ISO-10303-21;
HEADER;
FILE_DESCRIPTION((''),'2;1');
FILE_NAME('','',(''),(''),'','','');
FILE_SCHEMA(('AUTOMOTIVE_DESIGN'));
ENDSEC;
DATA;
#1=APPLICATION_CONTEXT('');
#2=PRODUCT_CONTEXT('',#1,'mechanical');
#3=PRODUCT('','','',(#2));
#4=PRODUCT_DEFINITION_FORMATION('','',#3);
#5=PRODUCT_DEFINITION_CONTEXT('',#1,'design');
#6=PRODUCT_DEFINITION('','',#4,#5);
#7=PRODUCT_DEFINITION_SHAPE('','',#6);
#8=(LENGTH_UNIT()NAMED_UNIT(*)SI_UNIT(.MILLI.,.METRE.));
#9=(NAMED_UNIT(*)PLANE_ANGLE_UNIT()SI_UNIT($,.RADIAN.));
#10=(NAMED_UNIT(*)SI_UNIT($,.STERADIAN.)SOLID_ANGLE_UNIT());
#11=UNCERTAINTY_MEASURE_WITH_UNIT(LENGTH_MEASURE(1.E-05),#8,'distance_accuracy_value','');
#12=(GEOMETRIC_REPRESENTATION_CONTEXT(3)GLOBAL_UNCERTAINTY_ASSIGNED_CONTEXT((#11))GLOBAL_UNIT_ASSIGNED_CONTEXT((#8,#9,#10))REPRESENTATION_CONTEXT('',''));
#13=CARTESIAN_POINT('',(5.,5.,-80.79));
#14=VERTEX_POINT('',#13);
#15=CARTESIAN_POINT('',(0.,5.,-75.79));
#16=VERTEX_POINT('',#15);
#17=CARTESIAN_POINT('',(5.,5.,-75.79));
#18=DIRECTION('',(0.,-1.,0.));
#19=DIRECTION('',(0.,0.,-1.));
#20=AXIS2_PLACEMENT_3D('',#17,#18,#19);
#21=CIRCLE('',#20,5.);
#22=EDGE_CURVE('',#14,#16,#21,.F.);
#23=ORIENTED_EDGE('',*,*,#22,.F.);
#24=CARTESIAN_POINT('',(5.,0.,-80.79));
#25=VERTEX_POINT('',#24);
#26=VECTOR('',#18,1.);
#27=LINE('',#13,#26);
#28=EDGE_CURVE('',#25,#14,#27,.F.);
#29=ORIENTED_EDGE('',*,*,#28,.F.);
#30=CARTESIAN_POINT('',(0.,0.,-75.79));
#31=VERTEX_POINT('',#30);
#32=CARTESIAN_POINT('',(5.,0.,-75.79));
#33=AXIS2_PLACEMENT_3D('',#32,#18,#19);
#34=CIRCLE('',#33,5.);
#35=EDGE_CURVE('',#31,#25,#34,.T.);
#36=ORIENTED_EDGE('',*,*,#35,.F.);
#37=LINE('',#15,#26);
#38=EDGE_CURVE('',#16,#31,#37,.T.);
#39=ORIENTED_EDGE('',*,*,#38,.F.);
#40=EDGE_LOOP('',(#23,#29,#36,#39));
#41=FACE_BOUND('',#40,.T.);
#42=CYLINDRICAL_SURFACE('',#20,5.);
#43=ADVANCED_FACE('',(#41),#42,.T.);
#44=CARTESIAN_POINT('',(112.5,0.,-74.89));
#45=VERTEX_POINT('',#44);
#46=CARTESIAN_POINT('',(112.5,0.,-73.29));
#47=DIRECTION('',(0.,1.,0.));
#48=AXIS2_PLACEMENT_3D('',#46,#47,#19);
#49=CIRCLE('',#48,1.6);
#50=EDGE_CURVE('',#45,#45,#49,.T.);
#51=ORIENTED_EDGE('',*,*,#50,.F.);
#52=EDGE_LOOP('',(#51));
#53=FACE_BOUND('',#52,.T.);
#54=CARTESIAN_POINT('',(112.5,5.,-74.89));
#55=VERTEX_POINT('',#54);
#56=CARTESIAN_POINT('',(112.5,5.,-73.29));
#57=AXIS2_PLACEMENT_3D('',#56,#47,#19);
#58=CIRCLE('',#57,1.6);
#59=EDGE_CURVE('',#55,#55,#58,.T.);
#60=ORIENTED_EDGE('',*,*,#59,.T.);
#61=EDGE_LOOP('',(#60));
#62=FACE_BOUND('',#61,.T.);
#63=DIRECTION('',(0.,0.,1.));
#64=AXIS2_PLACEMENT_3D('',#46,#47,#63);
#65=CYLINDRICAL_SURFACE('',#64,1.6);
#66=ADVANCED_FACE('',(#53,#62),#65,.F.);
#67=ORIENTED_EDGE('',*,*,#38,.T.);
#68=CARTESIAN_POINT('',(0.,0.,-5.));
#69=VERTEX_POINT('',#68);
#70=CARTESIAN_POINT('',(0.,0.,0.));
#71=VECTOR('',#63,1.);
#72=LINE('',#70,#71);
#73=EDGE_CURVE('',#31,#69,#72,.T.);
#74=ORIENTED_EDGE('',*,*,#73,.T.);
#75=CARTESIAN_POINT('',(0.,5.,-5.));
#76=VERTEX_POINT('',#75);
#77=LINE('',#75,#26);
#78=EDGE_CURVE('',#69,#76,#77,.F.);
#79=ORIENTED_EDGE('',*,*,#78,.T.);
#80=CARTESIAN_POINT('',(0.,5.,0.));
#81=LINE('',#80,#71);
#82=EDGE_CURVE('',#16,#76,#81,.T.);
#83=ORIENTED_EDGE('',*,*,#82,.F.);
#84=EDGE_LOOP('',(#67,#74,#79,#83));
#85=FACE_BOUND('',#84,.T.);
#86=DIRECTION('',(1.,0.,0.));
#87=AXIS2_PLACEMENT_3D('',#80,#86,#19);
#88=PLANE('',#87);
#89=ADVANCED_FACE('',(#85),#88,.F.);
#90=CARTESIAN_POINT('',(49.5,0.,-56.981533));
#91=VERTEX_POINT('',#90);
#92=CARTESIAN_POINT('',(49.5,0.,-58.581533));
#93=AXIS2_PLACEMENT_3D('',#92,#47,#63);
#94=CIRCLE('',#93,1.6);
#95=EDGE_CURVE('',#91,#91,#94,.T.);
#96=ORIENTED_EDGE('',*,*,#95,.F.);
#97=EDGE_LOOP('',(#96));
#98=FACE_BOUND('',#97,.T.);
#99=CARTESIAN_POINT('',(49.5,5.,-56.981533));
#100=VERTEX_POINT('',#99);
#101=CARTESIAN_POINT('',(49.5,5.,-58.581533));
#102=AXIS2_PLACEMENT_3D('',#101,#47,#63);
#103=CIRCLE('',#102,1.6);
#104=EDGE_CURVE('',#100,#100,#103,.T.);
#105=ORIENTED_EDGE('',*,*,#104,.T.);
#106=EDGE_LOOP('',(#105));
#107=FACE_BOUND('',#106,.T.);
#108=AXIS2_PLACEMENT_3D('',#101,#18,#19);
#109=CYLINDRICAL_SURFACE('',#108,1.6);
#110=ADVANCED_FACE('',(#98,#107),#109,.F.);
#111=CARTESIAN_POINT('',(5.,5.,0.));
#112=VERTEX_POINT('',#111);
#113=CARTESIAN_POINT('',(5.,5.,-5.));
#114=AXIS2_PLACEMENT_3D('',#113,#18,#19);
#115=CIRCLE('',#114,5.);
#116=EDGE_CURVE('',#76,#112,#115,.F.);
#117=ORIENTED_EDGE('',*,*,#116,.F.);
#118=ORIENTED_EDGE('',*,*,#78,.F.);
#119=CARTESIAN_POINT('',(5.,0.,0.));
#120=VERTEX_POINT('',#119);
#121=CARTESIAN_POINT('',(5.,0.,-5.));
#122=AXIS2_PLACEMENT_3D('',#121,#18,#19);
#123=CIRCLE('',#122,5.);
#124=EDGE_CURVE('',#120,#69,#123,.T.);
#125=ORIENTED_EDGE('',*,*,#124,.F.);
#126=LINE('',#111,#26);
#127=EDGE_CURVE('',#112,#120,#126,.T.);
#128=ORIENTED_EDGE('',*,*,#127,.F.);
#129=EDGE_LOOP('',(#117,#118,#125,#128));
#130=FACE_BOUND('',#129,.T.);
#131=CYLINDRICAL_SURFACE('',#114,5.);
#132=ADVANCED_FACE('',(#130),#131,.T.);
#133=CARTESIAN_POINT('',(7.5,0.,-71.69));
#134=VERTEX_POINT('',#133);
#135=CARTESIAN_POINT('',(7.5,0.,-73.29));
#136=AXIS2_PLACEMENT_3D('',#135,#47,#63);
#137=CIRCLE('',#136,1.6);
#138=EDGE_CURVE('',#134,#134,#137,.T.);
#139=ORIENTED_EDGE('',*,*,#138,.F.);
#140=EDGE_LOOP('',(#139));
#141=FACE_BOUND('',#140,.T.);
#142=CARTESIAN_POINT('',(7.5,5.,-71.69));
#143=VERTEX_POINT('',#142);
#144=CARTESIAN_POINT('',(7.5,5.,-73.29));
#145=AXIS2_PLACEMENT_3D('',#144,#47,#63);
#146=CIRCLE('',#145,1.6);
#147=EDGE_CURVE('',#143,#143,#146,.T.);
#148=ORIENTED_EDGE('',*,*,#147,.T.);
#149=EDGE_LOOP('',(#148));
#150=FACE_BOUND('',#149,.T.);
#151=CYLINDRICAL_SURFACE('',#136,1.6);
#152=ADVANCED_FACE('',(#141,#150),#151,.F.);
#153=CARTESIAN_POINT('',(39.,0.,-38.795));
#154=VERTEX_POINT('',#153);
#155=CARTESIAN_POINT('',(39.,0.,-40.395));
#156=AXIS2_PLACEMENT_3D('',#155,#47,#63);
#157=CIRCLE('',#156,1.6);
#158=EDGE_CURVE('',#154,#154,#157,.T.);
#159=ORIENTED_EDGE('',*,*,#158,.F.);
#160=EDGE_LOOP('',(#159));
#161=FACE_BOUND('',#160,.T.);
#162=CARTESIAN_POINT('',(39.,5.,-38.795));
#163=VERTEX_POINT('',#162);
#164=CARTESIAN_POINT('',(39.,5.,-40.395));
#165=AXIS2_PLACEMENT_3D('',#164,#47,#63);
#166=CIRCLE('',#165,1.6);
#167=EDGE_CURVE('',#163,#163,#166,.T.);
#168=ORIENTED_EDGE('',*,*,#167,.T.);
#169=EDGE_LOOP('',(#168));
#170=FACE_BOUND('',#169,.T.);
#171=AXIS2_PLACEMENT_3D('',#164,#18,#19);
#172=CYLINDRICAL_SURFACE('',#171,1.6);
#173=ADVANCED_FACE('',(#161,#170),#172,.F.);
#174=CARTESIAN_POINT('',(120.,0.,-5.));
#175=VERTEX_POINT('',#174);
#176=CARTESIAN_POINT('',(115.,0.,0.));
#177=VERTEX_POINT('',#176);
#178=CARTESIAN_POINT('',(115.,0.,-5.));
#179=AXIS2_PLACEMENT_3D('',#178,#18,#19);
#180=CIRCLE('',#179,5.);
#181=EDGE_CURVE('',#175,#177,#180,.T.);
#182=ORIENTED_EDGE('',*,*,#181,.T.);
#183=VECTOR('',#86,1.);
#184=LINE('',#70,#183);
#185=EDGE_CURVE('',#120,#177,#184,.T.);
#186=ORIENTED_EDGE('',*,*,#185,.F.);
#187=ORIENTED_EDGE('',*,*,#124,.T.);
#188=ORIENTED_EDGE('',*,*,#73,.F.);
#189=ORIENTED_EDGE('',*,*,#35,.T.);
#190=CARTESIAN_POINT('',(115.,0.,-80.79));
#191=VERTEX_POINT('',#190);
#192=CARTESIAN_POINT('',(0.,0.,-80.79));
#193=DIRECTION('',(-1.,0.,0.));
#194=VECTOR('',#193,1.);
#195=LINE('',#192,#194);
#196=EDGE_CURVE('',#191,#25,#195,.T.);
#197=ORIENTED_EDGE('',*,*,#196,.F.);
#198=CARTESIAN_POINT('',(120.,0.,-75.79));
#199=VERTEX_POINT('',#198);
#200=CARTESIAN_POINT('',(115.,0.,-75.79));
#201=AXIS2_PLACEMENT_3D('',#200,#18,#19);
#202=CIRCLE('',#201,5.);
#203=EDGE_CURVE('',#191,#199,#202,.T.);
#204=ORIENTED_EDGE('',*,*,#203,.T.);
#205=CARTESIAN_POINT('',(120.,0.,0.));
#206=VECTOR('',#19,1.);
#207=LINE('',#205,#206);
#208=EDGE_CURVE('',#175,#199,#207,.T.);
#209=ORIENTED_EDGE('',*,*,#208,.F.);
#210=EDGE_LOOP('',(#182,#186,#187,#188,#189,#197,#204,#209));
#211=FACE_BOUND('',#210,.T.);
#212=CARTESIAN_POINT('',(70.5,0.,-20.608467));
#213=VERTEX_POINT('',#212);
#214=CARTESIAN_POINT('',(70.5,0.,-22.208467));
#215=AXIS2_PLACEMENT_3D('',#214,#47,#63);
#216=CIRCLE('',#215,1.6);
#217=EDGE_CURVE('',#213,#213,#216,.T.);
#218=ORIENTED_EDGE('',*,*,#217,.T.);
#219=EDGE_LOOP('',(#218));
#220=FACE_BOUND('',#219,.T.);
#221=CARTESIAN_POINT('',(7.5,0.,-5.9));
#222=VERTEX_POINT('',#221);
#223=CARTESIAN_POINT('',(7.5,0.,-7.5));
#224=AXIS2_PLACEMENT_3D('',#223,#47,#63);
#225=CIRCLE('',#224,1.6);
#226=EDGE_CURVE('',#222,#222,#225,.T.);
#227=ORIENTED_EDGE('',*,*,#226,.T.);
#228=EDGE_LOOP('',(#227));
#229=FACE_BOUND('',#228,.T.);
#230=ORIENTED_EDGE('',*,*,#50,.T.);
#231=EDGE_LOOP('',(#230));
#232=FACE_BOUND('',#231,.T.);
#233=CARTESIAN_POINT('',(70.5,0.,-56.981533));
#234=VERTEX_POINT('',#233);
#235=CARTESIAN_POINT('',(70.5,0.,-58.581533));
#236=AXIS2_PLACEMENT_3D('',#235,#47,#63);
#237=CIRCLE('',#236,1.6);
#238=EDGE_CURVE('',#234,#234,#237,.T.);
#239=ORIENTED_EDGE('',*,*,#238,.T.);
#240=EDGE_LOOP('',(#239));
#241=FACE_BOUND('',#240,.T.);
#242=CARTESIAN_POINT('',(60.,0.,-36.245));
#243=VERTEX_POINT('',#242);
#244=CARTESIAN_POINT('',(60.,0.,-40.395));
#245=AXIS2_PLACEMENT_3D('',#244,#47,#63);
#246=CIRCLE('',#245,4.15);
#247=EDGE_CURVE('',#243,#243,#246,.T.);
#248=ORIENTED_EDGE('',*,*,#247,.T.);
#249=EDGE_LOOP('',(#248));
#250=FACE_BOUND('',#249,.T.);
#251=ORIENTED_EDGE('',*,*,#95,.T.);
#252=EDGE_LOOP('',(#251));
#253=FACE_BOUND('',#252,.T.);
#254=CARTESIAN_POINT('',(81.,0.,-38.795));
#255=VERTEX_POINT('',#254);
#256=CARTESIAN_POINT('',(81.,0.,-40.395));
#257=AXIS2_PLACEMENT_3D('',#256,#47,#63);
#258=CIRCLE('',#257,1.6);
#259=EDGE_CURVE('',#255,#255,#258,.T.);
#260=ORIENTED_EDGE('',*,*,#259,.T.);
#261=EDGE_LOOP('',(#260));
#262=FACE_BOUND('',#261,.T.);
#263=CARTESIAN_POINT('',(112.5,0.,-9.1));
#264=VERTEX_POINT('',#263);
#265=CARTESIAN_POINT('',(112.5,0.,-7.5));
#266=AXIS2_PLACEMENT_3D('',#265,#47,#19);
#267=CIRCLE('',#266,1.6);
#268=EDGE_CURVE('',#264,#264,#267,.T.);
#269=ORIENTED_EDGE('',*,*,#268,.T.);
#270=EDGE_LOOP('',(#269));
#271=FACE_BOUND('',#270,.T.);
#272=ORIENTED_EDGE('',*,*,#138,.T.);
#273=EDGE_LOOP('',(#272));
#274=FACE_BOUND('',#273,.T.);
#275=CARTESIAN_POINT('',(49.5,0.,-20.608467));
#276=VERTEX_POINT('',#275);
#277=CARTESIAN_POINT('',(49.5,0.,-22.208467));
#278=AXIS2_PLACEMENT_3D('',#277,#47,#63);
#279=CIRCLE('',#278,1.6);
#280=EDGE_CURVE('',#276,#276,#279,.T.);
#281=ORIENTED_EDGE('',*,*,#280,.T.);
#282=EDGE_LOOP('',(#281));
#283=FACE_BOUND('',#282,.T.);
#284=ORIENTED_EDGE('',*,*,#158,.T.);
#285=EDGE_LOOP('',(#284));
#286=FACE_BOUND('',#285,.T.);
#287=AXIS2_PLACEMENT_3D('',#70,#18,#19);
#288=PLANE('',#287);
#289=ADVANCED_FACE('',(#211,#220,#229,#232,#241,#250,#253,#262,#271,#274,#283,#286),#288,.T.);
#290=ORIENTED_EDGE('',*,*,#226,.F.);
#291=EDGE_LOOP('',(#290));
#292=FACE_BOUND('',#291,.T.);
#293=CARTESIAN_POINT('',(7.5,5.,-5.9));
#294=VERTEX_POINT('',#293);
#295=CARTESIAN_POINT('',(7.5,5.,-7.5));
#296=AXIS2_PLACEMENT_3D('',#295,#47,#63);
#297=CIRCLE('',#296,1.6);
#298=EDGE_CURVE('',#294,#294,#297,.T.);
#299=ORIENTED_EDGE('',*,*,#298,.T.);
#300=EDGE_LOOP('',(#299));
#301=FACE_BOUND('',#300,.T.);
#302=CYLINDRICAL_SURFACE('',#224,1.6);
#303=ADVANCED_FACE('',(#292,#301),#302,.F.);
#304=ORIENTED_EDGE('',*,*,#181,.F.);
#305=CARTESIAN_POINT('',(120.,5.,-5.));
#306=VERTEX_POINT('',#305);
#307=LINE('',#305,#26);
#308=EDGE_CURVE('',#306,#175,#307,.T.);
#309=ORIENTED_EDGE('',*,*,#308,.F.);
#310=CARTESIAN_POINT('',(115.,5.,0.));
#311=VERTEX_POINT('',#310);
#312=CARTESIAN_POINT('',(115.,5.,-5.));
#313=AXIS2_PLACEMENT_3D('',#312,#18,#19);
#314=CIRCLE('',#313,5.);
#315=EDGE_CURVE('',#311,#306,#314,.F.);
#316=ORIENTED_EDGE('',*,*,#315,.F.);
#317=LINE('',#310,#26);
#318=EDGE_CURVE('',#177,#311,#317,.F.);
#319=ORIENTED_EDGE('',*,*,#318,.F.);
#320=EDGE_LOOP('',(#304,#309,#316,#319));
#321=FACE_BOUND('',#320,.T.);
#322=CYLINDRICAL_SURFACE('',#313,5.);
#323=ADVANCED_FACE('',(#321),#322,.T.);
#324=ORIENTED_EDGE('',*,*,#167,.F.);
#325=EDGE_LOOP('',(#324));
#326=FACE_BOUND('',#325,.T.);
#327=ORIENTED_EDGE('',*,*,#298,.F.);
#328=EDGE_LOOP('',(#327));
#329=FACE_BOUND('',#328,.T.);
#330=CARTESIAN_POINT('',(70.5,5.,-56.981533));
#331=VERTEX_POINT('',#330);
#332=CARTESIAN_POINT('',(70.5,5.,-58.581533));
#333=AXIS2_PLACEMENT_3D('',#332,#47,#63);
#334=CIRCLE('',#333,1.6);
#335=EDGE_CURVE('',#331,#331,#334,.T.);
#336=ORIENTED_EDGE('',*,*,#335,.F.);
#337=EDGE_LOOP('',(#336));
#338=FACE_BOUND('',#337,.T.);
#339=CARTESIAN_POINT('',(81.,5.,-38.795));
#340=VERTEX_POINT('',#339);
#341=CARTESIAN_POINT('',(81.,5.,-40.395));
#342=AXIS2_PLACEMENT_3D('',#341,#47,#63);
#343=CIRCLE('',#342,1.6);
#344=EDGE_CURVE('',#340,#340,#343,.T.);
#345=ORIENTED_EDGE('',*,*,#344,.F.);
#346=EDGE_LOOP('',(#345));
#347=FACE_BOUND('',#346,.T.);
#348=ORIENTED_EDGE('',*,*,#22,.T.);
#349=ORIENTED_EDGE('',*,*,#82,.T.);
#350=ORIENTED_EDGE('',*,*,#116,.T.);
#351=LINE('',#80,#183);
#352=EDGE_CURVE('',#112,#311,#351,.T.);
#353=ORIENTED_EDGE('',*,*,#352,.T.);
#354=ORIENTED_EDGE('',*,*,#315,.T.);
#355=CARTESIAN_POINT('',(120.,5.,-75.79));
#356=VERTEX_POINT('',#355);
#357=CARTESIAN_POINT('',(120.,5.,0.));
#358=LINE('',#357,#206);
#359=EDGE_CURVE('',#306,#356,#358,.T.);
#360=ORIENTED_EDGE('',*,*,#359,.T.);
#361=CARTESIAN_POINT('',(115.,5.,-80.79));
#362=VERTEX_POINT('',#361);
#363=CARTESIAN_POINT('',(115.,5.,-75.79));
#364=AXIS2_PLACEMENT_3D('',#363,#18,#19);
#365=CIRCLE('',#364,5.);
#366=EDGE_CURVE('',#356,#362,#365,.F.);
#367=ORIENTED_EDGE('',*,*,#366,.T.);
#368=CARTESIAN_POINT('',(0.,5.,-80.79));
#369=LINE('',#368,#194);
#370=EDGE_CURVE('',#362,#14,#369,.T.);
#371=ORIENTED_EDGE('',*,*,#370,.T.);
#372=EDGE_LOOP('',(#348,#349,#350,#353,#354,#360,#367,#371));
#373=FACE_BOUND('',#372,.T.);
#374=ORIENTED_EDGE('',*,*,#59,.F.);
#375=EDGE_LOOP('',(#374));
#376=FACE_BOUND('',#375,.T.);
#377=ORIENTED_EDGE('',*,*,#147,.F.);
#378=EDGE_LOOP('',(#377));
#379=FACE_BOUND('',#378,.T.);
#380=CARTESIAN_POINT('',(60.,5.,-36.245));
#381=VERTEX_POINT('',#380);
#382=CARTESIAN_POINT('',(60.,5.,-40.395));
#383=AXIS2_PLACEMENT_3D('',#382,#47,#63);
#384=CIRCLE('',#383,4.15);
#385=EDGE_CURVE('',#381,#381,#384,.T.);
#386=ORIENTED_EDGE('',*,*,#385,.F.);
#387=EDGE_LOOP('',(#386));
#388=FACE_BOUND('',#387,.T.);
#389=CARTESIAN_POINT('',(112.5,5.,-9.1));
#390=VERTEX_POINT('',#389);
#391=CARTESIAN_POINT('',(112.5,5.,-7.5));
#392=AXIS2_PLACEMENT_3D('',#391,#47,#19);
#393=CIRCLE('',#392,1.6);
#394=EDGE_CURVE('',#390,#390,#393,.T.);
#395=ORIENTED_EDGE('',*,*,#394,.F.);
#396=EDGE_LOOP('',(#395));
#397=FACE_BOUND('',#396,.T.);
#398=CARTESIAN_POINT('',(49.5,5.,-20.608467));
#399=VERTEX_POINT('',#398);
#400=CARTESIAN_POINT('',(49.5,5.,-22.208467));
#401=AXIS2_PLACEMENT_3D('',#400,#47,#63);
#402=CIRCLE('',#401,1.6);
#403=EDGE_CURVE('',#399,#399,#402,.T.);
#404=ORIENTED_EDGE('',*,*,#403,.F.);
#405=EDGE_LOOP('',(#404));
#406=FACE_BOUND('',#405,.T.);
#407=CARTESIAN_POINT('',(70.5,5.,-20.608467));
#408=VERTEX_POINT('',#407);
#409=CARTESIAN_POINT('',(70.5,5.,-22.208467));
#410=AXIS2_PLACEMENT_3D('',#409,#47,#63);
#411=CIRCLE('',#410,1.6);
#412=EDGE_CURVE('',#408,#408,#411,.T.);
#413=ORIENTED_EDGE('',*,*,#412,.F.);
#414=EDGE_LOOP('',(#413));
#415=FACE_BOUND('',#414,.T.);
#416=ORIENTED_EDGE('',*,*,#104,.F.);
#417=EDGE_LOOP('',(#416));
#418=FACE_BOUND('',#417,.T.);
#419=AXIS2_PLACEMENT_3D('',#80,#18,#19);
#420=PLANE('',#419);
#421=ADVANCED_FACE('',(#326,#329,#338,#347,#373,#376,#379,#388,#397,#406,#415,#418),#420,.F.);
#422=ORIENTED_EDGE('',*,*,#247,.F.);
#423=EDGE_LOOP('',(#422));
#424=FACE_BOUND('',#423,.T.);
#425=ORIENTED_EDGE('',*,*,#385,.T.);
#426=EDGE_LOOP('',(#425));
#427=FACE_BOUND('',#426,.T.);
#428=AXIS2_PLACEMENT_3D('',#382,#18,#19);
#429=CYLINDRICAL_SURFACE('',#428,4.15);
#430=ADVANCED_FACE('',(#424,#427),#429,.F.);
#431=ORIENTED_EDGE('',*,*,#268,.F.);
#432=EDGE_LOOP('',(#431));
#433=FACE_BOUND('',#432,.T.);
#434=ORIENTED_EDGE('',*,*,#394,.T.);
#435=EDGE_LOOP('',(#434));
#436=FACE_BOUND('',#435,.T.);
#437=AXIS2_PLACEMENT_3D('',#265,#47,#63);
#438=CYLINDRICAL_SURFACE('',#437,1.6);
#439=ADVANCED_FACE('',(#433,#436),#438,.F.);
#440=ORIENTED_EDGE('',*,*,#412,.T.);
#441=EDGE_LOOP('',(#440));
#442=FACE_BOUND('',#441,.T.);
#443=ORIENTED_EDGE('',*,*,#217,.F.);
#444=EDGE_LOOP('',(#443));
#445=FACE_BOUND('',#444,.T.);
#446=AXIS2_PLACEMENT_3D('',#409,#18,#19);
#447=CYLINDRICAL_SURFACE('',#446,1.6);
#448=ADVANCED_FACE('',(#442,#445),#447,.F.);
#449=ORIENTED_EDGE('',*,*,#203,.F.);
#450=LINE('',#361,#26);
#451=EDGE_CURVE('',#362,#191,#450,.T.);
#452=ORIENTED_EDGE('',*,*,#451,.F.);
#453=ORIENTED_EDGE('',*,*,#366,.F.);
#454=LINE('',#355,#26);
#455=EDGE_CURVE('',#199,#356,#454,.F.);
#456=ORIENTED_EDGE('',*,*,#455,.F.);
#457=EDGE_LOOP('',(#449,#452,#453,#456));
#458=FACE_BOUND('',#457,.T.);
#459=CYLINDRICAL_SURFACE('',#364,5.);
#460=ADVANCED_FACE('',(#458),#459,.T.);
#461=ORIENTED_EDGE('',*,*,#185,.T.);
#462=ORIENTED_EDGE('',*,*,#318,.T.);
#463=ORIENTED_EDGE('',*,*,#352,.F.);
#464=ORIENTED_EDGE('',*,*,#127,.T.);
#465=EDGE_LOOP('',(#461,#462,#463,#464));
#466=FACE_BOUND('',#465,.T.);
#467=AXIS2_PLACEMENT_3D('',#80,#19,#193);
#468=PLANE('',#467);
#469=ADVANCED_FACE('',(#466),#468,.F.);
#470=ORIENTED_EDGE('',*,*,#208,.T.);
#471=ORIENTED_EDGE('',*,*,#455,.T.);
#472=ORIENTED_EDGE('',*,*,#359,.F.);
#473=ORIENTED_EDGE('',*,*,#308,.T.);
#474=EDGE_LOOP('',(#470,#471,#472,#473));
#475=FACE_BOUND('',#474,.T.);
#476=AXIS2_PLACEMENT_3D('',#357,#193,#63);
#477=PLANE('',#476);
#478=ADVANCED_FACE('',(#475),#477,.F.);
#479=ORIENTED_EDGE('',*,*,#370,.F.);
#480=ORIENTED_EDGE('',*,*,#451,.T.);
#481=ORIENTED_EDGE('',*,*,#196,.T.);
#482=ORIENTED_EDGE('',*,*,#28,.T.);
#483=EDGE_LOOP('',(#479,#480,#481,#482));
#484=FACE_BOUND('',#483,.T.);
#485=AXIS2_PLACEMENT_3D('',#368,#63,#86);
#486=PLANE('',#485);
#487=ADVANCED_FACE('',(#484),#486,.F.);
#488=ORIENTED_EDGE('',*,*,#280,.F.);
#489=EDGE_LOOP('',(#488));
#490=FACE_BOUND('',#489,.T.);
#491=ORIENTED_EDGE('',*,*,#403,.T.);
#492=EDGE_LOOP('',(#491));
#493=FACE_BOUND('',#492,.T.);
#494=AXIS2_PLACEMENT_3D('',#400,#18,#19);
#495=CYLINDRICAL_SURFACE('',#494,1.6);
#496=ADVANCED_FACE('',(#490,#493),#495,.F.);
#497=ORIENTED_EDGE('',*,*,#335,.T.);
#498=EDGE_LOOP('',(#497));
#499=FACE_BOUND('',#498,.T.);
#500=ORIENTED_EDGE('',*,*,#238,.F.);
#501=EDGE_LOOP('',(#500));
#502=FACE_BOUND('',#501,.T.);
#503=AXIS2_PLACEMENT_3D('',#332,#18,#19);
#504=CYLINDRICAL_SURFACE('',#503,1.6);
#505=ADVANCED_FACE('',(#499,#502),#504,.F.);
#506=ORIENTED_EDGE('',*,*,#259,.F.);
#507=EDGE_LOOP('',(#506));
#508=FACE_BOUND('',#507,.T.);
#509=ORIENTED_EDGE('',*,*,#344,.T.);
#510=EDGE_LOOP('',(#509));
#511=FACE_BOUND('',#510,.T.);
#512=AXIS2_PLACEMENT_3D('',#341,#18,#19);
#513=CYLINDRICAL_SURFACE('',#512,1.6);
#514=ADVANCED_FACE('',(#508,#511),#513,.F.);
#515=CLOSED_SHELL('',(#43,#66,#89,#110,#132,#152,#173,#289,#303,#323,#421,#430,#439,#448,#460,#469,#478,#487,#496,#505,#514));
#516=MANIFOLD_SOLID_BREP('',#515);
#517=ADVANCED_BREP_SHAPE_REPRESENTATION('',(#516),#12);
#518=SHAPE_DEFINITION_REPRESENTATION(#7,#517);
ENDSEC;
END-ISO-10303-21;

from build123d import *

# Parameters (mm, degrees)
SKETCH1_W           = 120
SKETCH1_H           = 80.79
SKETCH1_R           = 1.6
SKETCH1_R_2         = 4.15
BOSS_EXTRUDE1_DEPTH = 5
SKETCH2_R           = 1.6
CUT_EXTRUDE1_DEPTH  = 6
FILLET1_R           = 5


with BuildPart() as part:
    # Sketch1 → Boss-Extrude1 (new body)
    with BuildSketch(Plane(origin=(0, 0, 0), x_dir=(1, 0, 0), z_dir=(0, 1, 0))):
        with Locations((60, 40.395)):
            Rectangle(SKETCH1_W, SKETCH1_H)
        with Locations((39, 40.395)):
            Circle(SKETCH1_R, mode=Mode.SUBTRACT)
        with Locations((49.5, 58.581533479)):
            Circle(SKETCH1_R, mode=Mode.SUBTRACT)
        with Locations((70.5, 58.581533479)):
            Circle(SKETCH1_R, mode=Mode.SUBTRACT)
        with Locations((81, 40.395)):
            Circle(SKETCH1_R, mode=Mode.SUBTRACT)
        with Locations((60, 40.395)):
            Circle(SKETCH1_R_2, mode=Mode.SUBTRACT)
        with Locations((70.5, 22.208466521)):
            Circle(SKETCH1_R, mode=Mode.SUBTRACT)
        with Locations((49.5, 22.208466521)):
            Circle(SKETCH1_R, mode=Mode.SUBTRACT)
    extrude(amount=BOSS_EXTRUDE1_DEPTH)

    # Sketch2 → Cut-Extrude1 (cut, through all)
    with BuildSketch(Plane(origin=(0, 5, 0), x_dir=(1, 0, 0), z_dir=(0, 1, 0))):
        with Locations((7.5, 73.29)):
            Circle(SKETCH2_R)
        with Locations((7.5, 7.5)):
            Circle(SKETCH2_R)
        with Locations((112.5, 73.29)):
            Circle(SKETCH2_R)
        with Locations((112.5, 7.5)):
            Circle(SKETCH2_R)
    extrude(amount=-CUT_EXTRUDE1_DEPTH, mode=Mode.SUBTRACT)

    # Fillet1
    fillet1_edges = [part.edges().sort_by_distance(p)[0] for p in [
        (0, 2.5, -80.79),
        (120, 2.5, -80.79),
        (120, 2.5, 0),
        (0, 2.5, 0),
    ]]
    fillet(fillet1_edges, radius=FILLET1_R)


solid = part.part
